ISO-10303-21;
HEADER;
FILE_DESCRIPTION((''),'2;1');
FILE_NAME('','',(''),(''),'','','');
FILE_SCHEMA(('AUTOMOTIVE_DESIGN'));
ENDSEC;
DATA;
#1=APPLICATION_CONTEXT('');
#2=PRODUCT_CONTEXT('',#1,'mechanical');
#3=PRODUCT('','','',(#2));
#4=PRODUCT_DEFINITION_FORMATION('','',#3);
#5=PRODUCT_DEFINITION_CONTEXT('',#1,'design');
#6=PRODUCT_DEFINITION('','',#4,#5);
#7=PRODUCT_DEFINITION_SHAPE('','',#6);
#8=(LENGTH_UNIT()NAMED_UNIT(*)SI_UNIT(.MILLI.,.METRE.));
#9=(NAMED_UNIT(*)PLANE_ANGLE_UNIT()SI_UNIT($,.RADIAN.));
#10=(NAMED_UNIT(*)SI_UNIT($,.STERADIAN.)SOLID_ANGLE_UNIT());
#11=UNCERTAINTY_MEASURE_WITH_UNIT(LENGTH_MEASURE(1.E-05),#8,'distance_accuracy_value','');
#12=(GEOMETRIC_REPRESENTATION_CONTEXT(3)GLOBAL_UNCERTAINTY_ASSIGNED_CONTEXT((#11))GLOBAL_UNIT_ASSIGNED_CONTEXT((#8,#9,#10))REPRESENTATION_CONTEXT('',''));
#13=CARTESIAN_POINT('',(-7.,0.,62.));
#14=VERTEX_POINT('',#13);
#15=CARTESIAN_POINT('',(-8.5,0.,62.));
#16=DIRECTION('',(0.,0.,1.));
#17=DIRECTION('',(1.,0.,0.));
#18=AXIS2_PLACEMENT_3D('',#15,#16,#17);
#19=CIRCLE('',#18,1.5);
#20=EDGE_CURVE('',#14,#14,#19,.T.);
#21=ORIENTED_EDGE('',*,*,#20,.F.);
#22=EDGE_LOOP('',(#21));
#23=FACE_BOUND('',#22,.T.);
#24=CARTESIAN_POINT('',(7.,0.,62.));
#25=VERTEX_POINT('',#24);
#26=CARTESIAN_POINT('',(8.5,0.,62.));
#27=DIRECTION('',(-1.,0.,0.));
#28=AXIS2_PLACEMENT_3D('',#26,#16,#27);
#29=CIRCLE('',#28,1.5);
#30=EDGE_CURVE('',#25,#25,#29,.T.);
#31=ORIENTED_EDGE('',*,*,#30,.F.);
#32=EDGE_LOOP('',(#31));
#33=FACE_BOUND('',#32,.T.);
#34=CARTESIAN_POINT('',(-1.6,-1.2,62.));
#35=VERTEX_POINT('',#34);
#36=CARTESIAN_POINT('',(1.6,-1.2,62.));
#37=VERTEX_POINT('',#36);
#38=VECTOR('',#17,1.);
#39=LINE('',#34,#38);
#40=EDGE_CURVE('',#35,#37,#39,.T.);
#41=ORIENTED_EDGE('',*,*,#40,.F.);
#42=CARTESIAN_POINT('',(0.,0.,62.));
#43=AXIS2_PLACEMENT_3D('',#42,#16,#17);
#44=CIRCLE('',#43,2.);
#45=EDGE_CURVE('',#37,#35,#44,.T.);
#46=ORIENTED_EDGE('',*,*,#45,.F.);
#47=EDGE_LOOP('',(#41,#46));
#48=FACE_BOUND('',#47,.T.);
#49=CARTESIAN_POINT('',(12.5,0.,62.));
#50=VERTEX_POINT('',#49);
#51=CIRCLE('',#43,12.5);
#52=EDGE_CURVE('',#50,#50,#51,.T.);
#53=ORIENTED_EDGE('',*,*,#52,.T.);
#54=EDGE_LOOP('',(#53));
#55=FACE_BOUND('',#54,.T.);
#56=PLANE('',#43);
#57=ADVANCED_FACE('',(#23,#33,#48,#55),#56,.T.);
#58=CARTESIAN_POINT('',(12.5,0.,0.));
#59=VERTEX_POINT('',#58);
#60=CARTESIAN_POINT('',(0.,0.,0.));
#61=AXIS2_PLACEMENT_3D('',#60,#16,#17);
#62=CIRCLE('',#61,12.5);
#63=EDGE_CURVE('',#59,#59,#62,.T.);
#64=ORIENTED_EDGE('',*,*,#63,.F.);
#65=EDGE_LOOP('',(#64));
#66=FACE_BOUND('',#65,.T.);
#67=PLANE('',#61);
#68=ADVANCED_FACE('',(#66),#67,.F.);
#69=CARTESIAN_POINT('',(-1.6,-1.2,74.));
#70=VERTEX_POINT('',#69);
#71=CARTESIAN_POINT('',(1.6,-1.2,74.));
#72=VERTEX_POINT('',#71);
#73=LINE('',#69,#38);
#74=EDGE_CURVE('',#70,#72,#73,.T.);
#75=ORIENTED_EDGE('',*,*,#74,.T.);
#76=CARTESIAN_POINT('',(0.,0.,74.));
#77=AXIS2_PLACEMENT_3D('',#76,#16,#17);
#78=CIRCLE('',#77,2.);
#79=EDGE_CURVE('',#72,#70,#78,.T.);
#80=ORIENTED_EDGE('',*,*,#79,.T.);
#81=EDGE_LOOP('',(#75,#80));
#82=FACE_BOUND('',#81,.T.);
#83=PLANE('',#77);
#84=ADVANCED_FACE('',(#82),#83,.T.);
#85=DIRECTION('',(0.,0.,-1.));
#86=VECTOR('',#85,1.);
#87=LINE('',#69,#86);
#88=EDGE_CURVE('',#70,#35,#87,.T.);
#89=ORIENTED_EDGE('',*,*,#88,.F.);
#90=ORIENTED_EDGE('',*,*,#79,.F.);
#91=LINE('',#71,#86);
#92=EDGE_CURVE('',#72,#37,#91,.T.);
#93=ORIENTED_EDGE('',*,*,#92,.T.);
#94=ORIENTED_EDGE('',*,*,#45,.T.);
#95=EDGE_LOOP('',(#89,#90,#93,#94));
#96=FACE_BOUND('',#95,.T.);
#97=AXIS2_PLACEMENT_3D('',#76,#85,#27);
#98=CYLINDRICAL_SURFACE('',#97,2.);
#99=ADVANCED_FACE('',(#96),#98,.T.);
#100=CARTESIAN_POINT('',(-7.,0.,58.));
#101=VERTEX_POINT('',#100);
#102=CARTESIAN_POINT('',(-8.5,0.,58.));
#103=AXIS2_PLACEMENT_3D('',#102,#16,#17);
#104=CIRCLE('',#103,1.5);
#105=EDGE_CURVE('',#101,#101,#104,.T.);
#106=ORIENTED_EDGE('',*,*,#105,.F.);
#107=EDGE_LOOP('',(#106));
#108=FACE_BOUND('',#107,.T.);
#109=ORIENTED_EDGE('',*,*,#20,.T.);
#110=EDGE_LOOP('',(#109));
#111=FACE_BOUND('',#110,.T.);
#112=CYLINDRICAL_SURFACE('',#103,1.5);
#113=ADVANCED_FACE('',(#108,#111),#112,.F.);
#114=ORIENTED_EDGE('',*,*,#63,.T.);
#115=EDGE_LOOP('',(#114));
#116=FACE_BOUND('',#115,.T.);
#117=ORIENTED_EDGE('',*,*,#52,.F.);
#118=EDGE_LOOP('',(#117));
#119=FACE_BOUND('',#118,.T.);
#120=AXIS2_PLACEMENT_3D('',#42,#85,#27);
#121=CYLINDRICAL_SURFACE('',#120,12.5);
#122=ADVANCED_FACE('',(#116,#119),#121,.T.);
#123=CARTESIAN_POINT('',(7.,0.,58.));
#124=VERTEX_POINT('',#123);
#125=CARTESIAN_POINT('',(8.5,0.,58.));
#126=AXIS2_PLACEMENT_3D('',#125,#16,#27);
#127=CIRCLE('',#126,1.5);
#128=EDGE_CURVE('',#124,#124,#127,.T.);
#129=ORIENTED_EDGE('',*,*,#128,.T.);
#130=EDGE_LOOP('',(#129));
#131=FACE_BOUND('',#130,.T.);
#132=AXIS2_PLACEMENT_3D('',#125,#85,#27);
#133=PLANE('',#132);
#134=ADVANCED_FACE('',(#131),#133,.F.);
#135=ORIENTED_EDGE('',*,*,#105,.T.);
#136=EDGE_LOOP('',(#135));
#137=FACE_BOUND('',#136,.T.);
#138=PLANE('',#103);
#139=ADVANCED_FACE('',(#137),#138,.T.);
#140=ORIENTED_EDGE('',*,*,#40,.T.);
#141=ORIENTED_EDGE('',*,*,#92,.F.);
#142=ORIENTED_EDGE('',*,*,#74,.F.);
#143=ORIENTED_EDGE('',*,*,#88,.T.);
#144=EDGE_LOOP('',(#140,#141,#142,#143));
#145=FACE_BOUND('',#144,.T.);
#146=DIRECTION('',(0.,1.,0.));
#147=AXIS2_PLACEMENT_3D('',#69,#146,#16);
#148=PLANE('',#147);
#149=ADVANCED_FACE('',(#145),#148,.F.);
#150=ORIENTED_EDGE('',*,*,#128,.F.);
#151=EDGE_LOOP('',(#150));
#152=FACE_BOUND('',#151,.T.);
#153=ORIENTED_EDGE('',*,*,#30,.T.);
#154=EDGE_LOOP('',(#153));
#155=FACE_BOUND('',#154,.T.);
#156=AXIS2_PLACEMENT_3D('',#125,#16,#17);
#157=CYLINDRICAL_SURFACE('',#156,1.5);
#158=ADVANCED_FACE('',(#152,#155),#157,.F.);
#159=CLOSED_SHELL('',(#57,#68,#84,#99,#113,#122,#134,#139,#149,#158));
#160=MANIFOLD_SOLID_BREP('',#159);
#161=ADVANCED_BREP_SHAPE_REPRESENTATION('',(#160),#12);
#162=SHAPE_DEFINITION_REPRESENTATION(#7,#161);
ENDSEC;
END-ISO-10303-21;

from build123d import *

# Parameters (mm, degrees)
SKICA1_R                 = 12.5
P_IDAT_VYSUNUT_M1_DEPTH  = 62
P_IDAT_VYSUNUT_M2_DEPTH  = 12
SKICA3_R                 = 1.5
ODEBRAT_VYSUNUT_M1_DEPTH = 4


with BuildPart() as part:
    # Skica1 → Přidat vysunutím1 (new body)
    with BuildSketch(Plane.XY):
        Circle(SKICA1_R)
    extrude(amount=P_IDAT_VYSUNUT_M1_DEPTH)

    # Skica2 → Přidat vysunutím2 (add)
    with BuildSketch(Plane.XY.offset(62)):
        with BuildLine():
            Line((-1.6, -1.2), (1.6, -1.2))
            ThreePointArc((1.6, -1.2), (0, 2), (-1.6, -1.2))
        make_face()
    extrude(amount=P_IDAT_VYSUNUT_M2_DEPTH)

    # Skica3 → Odebrat vysunutím1 (cut)
    with BuildSketch(Plane.XY.offset(62)):
        with Locations((-8.5, 0)):
            Circle(SKICA3_R)
        with Locations(Location((8.5, 0, 0), (0, 0, 180))):
            Circle(SKICA3_R)
    extrude(amount=-ODEBRAT_VYSUNUT_M1_DEPTH, mode=Mode.SUBTRACT)


solid = part.part
